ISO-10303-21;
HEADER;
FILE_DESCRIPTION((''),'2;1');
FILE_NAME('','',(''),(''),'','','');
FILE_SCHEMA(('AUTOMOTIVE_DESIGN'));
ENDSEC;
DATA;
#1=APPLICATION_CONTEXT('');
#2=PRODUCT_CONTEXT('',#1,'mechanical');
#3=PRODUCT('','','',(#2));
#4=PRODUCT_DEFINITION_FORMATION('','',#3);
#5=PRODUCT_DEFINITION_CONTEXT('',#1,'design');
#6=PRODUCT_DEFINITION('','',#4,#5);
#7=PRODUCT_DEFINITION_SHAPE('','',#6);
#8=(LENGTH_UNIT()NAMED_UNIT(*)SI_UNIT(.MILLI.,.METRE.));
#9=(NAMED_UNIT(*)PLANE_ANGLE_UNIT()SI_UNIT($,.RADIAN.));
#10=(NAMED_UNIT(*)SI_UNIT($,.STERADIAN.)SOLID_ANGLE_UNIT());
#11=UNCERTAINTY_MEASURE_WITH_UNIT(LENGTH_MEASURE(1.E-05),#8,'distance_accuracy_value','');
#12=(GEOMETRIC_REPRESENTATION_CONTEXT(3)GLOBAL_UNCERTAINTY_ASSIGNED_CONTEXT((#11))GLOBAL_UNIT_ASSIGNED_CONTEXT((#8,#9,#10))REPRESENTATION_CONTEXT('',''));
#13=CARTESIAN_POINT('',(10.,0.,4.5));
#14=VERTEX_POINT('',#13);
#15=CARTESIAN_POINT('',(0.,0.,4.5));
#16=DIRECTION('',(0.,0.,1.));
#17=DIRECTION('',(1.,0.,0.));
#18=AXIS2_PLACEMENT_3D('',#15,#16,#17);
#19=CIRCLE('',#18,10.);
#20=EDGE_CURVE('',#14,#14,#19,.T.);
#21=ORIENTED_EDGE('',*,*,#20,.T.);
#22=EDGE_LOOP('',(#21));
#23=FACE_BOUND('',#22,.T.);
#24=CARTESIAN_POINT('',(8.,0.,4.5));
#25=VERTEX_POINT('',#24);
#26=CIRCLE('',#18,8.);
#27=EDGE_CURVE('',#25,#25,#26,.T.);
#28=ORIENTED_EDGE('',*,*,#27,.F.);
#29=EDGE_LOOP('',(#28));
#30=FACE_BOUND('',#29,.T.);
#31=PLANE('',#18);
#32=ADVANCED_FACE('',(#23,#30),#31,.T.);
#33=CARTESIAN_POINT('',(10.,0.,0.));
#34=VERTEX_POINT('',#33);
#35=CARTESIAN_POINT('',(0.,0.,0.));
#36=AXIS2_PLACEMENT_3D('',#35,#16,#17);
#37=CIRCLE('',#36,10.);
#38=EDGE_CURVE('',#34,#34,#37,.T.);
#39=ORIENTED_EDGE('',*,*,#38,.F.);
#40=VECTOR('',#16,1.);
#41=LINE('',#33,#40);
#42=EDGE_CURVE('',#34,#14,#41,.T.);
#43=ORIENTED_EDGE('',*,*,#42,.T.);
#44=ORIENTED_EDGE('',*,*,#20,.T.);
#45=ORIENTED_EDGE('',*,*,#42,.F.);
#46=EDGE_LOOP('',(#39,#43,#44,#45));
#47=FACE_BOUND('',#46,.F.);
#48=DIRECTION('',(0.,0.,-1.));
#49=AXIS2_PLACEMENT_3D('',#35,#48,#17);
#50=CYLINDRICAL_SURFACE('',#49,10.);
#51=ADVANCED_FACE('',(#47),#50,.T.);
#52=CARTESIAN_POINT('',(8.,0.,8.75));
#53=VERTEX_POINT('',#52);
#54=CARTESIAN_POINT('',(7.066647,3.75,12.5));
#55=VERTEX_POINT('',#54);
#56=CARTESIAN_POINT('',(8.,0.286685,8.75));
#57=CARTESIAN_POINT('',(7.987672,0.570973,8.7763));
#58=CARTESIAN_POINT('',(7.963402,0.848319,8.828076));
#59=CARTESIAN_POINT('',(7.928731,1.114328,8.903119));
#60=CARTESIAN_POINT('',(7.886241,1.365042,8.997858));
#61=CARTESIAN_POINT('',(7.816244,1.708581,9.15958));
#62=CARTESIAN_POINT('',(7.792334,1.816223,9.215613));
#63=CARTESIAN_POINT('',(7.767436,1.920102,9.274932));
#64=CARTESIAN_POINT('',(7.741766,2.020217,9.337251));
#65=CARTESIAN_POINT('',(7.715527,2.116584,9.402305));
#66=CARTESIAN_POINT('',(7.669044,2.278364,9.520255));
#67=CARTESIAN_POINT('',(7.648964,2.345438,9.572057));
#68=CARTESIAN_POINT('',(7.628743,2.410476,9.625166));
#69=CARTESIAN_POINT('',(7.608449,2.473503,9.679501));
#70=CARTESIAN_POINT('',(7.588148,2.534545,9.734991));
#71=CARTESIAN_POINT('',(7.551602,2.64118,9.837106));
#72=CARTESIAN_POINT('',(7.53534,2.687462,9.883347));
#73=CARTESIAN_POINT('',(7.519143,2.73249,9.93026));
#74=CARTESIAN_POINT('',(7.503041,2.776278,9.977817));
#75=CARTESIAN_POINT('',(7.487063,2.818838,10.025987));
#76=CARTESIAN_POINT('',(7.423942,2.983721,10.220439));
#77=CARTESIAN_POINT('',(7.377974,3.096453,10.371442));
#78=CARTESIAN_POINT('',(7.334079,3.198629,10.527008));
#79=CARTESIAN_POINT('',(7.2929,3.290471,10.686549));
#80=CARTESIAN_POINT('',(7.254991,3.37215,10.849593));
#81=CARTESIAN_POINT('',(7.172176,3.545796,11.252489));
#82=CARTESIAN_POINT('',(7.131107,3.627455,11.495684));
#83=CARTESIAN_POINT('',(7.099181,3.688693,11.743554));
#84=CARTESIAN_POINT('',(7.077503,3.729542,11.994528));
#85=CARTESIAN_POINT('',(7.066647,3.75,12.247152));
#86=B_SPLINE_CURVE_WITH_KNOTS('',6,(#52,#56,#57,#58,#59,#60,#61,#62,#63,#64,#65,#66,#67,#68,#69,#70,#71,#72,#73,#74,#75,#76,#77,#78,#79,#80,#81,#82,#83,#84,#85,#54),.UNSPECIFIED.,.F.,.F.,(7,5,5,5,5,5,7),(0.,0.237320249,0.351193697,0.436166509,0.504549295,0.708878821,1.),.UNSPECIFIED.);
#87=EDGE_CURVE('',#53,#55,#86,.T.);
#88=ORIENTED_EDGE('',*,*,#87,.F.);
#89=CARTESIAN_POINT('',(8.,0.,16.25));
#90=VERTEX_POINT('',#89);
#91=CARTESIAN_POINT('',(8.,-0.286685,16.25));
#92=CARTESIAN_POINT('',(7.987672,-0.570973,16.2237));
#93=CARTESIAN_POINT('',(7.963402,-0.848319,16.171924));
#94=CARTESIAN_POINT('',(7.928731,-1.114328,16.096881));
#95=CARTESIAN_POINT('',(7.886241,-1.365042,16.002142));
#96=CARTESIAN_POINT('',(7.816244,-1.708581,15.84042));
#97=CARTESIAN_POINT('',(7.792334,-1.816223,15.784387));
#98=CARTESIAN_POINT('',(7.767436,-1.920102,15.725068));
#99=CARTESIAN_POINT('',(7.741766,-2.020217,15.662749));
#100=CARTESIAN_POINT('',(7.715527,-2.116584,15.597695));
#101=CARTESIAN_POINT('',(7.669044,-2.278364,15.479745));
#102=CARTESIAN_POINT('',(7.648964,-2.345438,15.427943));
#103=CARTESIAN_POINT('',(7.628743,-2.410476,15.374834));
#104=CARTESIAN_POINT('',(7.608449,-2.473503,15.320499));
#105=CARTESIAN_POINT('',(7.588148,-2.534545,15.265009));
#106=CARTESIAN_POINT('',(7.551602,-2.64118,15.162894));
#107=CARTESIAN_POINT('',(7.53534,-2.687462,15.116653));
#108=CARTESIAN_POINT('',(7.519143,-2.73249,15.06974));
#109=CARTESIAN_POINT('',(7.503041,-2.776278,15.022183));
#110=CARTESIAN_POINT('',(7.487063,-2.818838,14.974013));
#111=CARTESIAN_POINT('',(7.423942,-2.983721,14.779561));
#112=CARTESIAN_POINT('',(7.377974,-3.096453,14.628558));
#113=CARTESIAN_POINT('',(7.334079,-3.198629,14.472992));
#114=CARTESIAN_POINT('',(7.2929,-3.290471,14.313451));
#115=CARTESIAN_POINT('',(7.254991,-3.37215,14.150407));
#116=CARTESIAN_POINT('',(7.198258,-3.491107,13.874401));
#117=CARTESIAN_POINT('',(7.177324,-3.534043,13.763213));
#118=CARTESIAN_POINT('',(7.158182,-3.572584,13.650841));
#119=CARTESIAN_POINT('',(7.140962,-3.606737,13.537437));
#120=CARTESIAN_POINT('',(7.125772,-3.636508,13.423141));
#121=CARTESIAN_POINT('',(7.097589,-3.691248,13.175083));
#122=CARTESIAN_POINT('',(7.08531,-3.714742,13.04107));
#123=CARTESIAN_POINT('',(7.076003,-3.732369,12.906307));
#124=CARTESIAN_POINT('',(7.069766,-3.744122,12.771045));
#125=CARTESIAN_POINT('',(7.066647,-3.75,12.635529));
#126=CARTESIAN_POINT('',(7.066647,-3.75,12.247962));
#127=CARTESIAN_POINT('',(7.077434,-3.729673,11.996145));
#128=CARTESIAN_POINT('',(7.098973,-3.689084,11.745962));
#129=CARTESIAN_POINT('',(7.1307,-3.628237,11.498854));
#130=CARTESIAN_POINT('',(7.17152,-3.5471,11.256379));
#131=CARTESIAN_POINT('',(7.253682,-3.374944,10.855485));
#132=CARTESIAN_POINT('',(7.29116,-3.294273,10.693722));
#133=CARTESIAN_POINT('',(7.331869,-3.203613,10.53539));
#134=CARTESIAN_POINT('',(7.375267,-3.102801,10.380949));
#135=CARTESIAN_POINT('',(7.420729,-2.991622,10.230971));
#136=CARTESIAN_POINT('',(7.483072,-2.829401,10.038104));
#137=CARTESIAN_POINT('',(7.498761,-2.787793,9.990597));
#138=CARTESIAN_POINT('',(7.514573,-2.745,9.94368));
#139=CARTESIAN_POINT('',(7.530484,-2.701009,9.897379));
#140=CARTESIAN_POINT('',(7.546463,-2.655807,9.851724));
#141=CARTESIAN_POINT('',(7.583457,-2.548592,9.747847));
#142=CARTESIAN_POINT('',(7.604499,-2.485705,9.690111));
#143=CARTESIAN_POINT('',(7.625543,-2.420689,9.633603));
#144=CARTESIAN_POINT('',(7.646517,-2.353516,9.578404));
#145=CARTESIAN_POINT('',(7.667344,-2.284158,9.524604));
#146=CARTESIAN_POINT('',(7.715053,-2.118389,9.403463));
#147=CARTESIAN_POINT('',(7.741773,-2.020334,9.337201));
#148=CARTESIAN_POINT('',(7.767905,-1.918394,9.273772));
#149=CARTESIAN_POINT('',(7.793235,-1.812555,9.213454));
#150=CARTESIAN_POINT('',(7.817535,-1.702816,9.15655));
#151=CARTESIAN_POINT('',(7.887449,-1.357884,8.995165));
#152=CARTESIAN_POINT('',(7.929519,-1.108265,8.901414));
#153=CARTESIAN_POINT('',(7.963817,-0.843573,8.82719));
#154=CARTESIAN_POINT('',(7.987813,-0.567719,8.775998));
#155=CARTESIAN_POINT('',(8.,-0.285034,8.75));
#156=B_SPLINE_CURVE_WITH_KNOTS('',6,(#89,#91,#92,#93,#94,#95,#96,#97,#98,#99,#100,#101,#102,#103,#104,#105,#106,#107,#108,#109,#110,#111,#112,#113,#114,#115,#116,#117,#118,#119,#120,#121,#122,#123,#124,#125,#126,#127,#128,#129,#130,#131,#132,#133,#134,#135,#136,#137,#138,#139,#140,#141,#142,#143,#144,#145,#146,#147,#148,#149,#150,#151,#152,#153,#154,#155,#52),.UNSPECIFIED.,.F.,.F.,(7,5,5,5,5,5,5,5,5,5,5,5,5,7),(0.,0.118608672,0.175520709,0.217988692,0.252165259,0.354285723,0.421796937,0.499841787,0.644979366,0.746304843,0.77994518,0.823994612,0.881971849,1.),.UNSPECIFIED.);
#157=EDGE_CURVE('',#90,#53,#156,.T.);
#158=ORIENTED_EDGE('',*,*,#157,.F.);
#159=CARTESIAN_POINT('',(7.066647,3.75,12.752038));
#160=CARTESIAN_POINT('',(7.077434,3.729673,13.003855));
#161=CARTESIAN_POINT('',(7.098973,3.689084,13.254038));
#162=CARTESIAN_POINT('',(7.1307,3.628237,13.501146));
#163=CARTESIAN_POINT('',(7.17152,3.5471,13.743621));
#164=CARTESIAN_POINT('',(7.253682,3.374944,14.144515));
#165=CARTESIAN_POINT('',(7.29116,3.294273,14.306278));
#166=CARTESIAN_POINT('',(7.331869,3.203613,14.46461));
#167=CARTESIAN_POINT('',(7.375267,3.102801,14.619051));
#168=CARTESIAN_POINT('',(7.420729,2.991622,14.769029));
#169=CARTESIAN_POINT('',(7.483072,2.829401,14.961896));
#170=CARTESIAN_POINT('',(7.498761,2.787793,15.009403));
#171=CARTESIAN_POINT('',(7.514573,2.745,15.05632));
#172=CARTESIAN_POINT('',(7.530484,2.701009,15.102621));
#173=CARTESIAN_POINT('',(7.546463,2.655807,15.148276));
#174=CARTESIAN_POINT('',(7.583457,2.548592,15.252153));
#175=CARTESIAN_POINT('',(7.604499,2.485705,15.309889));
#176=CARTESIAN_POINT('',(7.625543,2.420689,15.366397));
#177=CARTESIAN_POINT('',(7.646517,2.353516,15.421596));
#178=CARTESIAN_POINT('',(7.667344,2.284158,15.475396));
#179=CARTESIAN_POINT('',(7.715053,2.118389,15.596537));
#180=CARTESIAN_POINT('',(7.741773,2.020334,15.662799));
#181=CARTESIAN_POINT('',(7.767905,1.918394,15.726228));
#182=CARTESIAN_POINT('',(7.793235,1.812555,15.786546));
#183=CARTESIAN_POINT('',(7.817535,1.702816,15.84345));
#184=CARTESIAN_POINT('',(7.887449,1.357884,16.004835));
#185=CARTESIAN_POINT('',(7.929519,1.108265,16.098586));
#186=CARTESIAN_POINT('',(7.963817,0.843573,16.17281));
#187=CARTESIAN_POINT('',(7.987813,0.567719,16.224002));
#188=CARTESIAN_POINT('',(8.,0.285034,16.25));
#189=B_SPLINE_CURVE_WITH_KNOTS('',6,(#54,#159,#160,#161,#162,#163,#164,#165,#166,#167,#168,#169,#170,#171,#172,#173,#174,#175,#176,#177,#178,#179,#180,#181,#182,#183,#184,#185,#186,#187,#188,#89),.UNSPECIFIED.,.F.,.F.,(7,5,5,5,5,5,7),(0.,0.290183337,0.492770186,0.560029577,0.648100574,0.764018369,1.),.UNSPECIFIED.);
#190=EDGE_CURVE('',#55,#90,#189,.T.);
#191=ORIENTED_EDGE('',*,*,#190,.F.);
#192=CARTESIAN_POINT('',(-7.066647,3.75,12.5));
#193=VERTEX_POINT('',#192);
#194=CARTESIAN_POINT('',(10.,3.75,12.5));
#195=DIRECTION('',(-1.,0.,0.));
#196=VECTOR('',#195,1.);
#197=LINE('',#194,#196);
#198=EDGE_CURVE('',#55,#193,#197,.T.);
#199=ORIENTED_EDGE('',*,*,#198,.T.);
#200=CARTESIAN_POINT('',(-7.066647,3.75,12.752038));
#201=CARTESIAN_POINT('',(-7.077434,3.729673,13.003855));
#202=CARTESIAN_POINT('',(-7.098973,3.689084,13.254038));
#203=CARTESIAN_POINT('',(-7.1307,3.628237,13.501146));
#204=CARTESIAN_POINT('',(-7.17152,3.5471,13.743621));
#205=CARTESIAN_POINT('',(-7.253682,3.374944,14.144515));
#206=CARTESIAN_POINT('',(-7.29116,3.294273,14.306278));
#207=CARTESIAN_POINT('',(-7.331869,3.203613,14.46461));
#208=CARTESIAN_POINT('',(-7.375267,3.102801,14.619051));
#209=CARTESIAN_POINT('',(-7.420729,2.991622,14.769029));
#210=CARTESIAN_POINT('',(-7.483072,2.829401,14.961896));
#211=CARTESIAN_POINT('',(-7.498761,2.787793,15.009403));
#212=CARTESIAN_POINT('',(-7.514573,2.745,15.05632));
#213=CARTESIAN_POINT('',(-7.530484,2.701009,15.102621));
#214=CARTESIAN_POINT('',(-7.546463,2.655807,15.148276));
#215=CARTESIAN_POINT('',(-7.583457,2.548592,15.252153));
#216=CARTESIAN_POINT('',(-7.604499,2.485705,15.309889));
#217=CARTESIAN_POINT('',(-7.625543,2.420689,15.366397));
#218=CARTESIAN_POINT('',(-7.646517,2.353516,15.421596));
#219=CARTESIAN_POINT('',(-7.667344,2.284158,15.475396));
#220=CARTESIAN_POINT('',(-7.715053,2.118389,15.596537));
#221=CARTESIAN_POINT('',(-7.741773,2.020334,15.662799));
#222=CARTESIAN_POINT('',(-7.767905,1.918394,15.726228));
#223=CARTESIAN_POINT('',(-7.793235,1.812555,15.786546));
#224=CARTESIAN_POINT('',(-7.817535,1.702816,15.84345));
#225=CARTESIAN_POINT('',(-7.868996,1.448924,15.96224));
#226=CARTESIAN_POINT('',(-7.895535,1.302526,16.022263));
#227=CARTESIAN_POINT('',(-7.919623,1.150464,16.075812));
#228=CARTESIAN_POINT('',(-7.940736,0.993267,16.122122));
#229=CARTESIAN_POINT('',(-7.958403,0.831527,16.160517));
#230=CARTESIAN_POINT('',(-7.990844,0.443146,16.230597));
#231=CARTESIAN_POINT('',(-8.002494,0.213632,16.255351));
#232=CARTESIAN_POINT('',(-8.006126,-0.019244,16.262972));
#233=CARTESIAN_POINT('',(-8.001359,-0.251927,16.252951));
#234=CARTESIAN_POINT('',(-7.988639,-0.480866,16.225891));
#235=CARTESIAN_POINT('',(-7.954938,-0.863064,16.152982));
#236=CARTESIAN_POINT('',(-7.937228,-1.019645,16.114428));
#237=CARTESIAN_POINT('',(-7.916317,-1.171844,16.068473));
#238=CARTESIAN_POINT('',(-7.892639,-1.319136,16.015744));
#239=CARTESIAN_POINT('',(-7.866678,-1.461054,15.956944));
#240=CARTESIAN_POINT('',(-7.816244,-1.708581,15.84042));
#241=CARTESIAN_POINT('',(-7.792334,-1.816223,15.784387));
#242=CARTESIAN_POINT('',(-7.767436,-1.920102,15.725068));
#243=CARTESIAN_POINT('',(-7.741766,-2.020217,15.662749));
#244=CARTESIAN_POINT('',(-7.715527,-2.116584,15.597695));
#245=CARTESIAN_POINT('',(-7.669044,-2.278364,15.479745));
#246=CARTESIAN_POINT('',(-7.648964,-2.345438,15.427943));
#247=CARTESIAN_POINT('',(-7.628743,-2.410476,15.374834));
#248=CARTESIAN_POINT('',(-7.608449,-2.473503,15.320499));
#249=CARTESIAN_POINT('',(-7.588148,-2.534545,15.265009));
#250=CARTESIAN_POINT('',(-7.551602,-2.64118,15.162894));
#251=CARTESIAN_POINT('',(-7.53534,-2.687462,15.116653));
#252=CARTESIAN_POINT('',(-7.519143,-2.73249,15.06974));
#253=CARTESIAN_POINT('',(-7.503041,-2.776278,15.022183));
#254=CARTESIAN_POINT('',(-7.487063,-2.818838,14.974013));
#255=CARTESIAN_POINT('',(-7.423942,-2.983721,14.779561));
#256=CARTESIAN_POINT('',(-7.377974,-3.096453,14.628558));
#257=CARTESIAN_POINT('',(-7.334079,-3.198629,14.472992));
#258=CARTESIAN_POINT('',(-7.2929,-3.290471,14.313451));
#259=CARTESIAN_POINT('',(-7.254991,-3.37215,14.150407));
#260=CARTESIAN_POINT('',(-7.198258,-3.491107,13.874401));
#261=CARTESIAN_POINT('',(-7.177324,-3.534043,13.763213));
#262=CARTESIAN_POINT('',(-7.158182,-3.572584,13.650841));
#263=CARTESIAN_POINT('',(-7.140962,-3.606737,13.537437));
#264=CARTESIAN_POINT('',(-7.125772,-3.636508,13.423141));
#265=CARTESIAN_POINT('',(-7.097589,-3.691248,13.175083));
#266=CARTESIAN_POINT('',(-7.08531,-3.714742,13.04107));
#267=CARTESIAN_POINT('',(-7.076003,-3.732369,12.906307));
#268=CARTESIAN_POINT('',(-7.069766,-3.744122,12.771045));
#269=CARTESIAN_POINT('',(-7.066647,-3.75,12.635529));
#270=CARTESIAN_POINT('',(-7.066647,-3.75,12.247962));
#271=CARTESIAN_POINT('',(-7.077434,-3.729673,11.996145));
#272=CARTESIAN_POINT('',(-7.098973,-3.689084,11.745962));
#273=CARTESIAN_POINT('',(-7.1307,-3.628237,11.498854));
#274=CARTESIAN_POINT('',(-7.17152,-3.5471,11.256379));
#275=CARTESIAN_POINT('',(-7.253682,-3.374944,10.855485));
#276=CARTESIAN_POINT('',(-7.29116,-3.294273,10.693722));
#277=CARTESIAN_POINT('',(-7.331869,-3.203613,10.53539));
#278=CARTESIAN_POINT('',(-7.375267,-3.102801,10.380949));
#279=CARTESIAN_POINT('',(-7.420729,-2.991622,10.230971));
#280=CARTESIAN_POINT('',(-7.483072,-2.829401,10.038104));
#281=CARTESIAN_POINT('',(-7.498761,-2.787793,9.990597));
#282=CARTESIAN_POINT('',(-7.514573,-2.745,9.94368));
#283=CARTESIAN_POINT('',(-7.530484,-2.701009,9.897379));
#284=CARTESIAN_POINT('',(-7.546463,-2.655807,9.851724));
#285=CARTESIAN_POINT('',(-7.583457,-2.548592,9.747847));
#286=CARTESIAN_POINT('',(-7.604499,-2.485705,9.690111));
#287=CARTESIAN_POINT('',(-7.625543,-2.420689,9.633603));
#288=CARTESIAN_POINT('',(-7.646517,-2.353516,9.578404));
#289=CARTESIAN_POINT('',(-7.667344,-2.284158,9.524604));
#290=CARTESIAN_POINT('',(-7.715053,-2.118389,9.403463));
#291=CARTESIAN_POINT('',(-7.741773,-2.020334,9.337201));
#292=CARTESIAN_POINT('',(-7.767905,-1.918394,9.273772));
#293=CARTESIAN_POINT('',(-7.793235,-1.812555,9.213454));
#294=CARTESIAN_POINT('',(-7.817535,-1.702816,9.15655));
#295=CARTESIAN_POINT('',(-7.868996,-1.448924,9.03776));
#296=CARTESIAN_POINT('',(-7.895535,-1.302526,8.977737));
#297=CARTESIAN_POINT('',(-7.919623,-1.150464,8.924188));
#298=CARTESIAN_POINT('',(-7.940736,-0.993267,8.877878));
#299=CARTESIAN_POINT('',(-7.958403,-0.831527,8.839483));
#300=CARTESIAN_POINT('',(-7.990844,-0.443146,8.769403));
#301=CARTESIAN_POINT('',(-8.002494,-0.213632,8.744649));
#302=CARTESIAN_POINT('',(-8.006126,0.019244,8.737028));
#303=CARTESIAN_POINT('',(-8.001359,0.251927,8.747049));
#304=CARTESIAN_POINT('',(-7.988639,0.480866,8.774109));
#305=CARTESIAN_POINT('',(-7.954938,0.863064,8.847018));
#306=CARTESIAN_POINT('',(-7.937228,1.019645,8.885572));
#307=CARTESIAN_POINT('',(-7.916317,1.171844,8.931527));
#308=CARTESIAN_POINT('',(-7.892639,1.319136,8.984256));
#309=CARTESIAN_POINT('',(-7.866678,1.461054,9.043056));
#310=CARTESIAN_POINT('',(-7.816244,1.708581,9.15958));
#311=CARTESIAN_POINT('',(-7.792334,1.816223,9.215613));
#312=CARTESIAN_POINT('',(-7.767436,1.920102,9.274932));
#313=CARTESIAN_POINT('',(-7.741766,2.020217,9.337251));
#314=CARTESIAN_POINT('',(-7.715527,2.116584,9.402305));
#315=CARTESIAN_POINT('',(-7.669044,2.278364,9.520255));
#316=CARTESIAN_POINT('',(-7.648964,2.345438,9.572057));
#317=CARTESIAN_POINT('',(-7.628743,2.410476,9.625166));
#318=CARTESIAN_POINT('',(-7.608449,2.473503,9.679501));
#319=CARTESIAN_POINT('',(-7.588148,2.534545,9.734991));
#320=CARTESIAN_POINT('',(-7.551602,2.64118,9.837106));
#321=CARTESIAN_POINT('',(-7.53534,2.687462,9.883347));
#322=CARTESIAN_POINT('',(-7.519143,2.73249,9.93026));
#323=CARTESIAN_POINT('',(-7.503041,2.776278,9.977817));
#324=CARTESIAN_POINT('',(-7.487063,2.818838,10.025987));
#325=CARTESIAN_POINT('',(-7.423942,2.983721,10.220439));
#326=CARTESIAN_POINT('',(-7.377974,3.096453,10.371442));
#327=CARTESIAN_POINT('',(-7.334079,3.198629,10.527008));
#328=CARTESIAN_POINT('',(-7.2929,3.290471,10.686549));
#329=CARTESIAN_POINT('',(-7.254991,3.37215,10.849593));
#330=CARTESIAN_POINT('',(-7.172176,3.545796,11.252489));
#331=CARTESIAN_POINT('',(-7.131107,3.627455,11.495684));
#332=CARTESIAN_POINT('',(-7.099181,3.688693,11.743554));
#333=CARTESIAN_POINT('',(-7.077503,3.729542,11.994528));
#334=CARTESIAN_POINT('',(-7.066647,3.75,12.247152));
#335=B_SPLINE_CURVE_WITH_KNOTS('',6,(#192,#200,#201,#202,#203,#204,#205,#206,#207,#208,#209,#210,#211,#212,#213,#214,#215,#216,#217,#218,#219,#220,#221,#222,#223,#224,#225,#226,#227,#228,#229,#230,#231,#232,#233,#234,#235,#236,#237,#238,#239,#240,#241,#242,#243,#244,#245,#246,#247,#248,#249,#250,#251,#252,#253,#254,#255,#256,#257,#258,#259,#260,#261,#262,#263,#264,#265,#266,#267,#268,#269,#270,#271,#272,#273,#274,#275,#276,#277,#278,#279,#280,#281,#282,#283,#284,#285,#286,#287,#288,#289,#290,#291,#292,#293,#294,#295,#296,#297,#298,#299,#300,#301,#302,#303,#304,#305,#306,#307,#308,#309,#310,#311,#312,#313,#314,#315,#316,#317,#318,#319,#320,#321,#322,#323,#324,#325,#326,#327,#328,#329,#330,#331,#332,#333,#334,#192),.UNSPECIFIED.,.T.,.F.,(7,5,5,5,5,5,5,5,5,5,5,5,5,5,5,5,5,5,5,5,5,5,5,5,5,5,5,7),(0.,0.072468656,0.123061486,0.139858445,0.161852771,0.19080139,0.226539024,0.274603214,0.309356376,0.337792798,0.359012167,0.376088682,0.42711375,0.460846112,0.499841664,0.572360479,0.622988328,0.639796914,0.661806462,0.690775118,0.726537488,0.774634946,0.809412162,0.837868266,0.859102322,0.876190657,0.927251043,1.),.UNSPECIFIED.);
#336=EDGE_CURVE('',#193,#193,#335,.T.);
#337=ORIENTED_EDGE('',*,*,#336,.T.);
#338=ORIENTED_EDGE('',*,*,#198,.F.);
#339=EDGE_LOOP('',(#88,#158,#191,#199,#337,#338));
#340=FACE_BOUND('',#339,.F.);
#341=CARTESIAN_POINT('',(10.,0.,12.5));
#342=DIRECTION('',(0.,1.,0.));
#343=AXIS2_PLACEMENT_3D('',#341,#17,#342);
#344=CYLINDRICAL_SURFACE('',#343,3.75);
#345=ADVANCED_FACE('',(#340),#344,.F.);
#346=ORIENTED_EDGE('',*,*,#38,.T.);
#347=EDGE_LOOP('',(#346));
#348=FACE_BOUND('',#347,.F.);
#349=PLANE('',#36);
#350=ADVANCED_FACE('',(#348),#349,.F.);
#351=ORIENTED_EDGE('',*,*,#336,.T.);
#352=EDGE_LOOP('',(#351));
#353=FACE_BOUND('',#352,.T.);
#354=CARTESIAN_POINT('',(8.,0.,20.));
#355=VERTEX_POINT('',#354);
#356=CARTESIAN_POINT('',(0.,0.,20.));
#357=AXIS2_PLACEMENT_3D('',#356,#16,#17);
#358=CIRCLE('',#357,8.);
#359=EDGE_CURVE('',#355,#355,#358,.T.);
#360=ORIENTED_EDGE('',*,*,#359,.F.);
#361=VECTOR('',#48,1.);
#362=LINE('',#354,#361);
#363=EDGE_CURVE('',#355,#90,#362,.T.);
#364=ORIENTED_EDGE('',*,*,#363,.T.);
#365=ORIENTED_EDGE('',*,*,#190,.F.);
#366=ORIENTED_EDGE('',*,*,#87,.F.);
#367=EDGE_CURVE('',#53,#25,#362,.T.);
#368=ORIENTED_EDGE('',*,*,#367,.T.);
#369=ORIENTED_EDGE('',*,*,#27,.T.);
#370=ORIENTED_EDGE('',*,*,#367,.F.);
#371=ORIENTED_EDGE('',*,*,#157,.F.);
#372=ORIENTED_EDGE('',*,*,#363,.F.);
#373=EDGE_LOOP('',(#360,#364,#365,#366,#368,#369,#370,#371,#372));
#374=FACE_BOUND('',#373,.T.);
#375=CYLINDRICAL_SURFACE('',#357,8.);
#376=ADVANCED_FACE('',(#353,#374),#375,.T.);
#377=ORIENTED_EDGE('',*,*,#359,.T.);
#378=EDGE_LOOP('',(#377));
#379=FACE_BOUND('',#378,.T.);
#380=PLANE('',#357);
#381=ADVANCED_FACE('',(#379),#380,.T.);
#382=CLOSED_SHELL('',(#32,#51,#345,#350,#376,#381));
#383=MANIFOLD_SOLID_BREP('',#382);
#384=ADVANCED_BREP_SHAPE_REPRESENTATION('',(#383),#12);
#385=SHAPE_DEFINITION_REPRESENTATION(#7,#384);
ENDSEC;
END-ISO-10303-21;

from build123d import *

# Parameters (mm, degrees)
F0_R     = 10
F1_DEPTH = 20
F2_R     = 10
F2_R_2   = 8
F3_DEPTH = 15.5
F5_R     = 3.75
F6_DEPTH = 25


with BuildPart() as f1:
    # F0 (on Top) → F1 (new body)
    with BuildSketch(Plane.XY):
        Circle(F0_R)
    extrude(amount=F1_DEPTH)

    # F2 (on face) → F3 (cut)
    with BuildSketch(Plane.XY.offset(20)):
        Circle(F2_R)
        Circle(F2_R_2, mode=Mode.SUBTRACT)
    extrude(amount=-F3_DEPTH, mode=Mode.SUBTRACT)

    # F5 (on offset) → F6 (cut)
    with BuildSketch(Plane.YZ.offset(10)):
        with Locations((0, 12.5)):
            Circle(F5_R)
    extrude(amount=-F6_DEPTH, mode=Mode.SUBTRACT)


solid = f1.part
